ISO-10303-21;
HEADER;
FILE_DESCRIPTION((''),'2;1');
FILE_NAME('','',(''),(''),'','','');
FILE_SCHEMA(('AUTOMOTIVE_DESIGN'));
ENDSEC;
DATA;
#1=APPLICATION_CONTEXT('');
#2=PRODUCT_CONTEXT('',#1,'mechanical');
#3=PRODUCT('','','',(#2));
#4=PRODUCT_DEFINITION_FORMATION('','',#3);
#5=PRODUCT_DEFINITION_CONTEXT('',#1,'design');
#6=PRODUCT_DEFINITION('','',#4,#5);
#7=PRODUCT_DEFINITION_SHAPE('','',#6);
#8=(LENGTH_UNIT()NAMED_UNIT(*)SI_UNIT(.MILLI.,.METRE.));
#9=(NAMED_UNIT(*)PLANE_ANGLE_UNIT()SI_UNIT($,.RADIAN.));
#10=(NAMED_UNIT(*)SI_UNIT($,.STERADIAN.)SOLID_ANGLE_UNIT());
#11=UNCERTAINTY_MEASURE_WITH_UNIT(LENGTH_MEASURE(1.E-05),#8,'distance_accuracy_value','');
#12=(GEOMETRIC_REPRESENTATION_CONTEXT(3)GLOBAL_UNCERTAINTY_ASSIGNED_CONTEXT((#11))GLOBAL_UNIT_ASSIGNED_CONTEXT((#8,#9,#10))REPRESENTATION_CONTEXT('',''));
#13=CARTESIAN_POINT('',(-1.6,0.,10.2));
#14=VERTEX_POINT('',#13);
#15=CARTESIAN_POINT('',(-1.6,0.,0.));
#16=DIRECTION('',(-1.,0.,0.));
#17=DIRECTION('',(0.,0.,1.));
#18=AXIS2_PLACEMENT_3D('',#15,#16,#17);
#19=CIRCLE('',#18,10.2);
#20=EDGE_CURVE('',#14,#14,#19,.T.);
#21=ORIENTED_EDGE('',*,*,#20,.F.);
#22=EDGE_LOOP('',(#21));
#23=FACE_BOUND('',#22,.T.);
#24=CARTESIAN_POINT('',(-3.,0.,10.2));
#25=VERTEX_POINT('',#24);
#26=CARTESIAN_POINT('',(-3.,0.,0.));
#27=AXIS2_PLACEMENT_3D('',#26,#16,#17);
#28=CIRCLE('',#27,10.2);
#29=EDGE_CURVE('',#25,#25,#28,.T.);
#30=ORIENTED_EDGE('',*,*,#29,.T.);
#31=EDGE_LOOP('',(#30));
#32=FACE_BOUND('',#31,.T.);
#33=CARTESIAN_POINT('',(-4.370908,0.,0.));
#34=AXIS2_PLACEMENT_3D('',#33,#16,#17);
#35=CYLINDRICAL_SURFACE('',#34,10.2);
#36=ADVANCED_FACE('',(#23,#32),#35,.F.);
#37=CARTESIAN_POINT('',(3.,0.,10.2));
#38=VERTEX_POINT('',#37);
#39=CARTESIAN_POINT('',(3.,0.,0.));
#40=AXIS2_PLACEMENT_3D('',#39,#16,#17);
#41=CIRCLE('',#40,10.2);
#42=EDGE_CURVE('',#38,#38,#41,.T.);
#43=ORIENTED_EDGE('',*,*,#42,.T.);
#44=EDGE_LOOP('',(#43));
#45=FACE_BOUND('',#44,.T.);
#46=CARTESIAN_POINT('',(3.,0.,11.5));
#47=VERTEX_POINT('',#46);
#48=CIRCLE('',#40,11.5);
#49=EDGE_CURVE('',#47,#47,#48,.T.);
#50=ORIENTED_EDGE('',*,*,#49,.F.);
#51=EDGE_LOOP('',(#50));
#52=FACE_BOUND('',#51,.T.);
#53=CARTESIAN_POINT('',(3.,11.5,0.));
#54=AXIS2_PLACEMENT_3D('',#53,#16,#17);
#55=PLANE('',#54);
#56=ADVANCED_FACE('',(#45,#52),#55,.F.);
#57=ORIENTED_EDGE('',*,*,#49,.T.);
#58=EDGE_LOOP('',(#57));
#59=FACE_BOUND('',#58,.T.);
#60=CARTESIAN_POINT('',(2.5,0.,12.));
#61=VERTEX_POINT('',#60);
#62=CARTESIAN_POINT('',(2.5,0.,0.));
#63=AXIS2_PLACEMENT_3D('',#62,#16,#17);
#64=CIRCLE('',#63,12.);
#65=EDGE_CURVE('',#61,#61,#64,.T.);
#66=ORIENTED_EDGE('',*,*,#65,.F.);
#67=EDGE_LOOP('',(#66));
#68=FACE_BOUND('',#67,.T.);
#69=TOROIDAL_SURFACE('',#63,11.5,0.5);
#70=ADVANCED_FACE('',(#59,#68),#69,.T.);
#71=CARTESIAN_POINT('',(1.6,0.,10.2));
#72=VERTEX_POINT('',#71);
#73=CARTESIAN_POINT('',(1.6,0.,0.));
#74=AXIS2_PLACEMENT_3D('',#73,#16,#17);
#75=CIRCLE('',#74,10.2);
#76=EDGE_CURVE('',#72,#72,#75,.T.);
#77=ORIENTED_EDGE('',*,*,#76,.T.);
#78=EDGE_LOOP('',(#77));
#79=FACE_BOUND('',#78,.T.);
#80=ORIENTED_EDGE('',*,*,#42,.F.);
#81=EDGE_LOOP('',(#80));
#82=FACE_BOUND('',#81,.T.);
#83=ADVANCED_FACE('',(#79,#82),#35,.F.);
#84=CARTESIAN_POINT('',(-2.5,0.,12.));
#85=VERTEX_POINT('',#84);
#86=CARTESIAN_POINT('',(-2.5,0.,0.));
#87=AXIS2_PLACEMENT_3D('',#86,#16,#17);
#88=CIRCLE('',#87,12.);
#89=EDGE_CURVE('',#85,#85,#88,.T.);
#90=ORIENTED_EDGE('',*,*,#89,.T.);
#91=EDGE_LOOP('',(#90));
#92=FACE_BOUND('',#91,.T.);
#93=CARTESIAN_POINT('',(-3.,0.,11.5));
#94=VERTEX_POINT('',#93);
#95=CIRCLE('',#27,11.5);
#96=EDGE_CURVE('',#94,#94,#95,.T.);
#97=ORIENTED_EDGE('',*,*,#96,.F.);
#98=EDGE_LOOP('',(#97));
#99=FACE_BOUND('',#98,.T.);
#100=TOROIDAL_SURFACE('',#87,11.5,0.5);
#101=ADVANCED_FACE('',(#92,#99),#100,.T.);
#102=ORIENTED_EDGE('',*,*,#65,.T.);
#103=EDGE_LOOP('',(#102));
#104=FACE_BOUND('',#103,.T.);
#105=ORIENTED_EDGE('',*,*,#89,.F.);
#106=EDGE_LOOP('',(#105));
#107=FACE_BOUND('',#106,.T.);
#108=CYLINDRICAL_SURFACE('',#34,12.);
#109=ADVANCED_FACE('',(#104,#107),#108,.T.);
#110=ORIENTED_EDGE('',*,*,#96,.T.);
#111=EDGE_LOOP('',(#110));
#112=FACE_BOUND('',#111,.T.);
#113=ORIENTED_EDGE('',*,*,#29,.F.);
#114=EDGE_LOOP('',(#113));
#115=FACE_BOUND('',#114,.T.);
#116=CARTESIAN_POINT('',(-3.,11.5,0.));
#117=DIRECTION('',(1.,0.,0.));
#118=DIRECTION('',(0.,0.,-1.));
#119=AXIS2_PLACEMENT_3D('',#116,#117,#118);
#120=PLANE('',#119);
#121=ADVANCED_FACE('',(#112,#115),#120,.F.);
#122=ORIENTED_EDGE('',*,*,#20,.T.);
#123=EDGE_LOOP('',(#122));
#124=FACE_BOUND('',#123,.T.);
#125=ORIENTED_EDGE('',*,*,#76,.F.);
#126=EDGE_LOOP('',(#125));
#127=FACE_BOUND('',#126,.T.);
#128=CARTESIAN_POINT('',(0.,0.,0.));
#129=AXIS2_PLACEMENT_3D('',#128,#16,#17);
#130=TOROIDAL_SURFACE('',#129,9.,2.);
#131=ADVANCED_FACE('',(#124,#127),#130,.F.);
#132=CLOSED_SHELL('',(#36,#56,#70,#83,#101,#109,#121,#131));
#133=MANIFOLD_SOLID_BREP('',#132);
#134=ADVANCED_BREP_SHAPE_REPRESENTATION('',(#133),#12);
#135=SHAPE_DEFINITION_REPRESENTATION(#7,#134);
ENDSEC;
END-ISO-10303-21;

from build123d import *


with BuildPart() as part:
    # Esquisse1 → Base-Révolution (revolve)
    with BuildSketch(Plane.XY, mode=Mode.PRIVATE) as base_r_volution_sk:
        with BuildLine():
            Line((1.6, 10.2), (3, 10.2))
            Line((3, 10.2), (3, 11.5))
            ThreePointArc((3, 11.5), (2.853553391, 11.853553391), (2.5, 12))
            Line((2.5, 12), (-2.5, 12))
            ThreePointArc((-2.5, 12), (-2.853553391, 11.853553391), (-3, 11.5))
            Line((-3, 11.5), (-3, 10.2))
            Line((-3, 10.2), (-1.6, 10.2))
            ThreePointArc((-1.6, 10.2), (0, 11), (1.6, 10.2))
        make_face()
    revolve(base_r_volution_sk.sketch.rotate(Axis((-4.370908092, 0, 0), (1, 0, 0)), 90), axis=Axis((-4.370908092, 0, 0), (1, 0, 0)))


solid = part.part
